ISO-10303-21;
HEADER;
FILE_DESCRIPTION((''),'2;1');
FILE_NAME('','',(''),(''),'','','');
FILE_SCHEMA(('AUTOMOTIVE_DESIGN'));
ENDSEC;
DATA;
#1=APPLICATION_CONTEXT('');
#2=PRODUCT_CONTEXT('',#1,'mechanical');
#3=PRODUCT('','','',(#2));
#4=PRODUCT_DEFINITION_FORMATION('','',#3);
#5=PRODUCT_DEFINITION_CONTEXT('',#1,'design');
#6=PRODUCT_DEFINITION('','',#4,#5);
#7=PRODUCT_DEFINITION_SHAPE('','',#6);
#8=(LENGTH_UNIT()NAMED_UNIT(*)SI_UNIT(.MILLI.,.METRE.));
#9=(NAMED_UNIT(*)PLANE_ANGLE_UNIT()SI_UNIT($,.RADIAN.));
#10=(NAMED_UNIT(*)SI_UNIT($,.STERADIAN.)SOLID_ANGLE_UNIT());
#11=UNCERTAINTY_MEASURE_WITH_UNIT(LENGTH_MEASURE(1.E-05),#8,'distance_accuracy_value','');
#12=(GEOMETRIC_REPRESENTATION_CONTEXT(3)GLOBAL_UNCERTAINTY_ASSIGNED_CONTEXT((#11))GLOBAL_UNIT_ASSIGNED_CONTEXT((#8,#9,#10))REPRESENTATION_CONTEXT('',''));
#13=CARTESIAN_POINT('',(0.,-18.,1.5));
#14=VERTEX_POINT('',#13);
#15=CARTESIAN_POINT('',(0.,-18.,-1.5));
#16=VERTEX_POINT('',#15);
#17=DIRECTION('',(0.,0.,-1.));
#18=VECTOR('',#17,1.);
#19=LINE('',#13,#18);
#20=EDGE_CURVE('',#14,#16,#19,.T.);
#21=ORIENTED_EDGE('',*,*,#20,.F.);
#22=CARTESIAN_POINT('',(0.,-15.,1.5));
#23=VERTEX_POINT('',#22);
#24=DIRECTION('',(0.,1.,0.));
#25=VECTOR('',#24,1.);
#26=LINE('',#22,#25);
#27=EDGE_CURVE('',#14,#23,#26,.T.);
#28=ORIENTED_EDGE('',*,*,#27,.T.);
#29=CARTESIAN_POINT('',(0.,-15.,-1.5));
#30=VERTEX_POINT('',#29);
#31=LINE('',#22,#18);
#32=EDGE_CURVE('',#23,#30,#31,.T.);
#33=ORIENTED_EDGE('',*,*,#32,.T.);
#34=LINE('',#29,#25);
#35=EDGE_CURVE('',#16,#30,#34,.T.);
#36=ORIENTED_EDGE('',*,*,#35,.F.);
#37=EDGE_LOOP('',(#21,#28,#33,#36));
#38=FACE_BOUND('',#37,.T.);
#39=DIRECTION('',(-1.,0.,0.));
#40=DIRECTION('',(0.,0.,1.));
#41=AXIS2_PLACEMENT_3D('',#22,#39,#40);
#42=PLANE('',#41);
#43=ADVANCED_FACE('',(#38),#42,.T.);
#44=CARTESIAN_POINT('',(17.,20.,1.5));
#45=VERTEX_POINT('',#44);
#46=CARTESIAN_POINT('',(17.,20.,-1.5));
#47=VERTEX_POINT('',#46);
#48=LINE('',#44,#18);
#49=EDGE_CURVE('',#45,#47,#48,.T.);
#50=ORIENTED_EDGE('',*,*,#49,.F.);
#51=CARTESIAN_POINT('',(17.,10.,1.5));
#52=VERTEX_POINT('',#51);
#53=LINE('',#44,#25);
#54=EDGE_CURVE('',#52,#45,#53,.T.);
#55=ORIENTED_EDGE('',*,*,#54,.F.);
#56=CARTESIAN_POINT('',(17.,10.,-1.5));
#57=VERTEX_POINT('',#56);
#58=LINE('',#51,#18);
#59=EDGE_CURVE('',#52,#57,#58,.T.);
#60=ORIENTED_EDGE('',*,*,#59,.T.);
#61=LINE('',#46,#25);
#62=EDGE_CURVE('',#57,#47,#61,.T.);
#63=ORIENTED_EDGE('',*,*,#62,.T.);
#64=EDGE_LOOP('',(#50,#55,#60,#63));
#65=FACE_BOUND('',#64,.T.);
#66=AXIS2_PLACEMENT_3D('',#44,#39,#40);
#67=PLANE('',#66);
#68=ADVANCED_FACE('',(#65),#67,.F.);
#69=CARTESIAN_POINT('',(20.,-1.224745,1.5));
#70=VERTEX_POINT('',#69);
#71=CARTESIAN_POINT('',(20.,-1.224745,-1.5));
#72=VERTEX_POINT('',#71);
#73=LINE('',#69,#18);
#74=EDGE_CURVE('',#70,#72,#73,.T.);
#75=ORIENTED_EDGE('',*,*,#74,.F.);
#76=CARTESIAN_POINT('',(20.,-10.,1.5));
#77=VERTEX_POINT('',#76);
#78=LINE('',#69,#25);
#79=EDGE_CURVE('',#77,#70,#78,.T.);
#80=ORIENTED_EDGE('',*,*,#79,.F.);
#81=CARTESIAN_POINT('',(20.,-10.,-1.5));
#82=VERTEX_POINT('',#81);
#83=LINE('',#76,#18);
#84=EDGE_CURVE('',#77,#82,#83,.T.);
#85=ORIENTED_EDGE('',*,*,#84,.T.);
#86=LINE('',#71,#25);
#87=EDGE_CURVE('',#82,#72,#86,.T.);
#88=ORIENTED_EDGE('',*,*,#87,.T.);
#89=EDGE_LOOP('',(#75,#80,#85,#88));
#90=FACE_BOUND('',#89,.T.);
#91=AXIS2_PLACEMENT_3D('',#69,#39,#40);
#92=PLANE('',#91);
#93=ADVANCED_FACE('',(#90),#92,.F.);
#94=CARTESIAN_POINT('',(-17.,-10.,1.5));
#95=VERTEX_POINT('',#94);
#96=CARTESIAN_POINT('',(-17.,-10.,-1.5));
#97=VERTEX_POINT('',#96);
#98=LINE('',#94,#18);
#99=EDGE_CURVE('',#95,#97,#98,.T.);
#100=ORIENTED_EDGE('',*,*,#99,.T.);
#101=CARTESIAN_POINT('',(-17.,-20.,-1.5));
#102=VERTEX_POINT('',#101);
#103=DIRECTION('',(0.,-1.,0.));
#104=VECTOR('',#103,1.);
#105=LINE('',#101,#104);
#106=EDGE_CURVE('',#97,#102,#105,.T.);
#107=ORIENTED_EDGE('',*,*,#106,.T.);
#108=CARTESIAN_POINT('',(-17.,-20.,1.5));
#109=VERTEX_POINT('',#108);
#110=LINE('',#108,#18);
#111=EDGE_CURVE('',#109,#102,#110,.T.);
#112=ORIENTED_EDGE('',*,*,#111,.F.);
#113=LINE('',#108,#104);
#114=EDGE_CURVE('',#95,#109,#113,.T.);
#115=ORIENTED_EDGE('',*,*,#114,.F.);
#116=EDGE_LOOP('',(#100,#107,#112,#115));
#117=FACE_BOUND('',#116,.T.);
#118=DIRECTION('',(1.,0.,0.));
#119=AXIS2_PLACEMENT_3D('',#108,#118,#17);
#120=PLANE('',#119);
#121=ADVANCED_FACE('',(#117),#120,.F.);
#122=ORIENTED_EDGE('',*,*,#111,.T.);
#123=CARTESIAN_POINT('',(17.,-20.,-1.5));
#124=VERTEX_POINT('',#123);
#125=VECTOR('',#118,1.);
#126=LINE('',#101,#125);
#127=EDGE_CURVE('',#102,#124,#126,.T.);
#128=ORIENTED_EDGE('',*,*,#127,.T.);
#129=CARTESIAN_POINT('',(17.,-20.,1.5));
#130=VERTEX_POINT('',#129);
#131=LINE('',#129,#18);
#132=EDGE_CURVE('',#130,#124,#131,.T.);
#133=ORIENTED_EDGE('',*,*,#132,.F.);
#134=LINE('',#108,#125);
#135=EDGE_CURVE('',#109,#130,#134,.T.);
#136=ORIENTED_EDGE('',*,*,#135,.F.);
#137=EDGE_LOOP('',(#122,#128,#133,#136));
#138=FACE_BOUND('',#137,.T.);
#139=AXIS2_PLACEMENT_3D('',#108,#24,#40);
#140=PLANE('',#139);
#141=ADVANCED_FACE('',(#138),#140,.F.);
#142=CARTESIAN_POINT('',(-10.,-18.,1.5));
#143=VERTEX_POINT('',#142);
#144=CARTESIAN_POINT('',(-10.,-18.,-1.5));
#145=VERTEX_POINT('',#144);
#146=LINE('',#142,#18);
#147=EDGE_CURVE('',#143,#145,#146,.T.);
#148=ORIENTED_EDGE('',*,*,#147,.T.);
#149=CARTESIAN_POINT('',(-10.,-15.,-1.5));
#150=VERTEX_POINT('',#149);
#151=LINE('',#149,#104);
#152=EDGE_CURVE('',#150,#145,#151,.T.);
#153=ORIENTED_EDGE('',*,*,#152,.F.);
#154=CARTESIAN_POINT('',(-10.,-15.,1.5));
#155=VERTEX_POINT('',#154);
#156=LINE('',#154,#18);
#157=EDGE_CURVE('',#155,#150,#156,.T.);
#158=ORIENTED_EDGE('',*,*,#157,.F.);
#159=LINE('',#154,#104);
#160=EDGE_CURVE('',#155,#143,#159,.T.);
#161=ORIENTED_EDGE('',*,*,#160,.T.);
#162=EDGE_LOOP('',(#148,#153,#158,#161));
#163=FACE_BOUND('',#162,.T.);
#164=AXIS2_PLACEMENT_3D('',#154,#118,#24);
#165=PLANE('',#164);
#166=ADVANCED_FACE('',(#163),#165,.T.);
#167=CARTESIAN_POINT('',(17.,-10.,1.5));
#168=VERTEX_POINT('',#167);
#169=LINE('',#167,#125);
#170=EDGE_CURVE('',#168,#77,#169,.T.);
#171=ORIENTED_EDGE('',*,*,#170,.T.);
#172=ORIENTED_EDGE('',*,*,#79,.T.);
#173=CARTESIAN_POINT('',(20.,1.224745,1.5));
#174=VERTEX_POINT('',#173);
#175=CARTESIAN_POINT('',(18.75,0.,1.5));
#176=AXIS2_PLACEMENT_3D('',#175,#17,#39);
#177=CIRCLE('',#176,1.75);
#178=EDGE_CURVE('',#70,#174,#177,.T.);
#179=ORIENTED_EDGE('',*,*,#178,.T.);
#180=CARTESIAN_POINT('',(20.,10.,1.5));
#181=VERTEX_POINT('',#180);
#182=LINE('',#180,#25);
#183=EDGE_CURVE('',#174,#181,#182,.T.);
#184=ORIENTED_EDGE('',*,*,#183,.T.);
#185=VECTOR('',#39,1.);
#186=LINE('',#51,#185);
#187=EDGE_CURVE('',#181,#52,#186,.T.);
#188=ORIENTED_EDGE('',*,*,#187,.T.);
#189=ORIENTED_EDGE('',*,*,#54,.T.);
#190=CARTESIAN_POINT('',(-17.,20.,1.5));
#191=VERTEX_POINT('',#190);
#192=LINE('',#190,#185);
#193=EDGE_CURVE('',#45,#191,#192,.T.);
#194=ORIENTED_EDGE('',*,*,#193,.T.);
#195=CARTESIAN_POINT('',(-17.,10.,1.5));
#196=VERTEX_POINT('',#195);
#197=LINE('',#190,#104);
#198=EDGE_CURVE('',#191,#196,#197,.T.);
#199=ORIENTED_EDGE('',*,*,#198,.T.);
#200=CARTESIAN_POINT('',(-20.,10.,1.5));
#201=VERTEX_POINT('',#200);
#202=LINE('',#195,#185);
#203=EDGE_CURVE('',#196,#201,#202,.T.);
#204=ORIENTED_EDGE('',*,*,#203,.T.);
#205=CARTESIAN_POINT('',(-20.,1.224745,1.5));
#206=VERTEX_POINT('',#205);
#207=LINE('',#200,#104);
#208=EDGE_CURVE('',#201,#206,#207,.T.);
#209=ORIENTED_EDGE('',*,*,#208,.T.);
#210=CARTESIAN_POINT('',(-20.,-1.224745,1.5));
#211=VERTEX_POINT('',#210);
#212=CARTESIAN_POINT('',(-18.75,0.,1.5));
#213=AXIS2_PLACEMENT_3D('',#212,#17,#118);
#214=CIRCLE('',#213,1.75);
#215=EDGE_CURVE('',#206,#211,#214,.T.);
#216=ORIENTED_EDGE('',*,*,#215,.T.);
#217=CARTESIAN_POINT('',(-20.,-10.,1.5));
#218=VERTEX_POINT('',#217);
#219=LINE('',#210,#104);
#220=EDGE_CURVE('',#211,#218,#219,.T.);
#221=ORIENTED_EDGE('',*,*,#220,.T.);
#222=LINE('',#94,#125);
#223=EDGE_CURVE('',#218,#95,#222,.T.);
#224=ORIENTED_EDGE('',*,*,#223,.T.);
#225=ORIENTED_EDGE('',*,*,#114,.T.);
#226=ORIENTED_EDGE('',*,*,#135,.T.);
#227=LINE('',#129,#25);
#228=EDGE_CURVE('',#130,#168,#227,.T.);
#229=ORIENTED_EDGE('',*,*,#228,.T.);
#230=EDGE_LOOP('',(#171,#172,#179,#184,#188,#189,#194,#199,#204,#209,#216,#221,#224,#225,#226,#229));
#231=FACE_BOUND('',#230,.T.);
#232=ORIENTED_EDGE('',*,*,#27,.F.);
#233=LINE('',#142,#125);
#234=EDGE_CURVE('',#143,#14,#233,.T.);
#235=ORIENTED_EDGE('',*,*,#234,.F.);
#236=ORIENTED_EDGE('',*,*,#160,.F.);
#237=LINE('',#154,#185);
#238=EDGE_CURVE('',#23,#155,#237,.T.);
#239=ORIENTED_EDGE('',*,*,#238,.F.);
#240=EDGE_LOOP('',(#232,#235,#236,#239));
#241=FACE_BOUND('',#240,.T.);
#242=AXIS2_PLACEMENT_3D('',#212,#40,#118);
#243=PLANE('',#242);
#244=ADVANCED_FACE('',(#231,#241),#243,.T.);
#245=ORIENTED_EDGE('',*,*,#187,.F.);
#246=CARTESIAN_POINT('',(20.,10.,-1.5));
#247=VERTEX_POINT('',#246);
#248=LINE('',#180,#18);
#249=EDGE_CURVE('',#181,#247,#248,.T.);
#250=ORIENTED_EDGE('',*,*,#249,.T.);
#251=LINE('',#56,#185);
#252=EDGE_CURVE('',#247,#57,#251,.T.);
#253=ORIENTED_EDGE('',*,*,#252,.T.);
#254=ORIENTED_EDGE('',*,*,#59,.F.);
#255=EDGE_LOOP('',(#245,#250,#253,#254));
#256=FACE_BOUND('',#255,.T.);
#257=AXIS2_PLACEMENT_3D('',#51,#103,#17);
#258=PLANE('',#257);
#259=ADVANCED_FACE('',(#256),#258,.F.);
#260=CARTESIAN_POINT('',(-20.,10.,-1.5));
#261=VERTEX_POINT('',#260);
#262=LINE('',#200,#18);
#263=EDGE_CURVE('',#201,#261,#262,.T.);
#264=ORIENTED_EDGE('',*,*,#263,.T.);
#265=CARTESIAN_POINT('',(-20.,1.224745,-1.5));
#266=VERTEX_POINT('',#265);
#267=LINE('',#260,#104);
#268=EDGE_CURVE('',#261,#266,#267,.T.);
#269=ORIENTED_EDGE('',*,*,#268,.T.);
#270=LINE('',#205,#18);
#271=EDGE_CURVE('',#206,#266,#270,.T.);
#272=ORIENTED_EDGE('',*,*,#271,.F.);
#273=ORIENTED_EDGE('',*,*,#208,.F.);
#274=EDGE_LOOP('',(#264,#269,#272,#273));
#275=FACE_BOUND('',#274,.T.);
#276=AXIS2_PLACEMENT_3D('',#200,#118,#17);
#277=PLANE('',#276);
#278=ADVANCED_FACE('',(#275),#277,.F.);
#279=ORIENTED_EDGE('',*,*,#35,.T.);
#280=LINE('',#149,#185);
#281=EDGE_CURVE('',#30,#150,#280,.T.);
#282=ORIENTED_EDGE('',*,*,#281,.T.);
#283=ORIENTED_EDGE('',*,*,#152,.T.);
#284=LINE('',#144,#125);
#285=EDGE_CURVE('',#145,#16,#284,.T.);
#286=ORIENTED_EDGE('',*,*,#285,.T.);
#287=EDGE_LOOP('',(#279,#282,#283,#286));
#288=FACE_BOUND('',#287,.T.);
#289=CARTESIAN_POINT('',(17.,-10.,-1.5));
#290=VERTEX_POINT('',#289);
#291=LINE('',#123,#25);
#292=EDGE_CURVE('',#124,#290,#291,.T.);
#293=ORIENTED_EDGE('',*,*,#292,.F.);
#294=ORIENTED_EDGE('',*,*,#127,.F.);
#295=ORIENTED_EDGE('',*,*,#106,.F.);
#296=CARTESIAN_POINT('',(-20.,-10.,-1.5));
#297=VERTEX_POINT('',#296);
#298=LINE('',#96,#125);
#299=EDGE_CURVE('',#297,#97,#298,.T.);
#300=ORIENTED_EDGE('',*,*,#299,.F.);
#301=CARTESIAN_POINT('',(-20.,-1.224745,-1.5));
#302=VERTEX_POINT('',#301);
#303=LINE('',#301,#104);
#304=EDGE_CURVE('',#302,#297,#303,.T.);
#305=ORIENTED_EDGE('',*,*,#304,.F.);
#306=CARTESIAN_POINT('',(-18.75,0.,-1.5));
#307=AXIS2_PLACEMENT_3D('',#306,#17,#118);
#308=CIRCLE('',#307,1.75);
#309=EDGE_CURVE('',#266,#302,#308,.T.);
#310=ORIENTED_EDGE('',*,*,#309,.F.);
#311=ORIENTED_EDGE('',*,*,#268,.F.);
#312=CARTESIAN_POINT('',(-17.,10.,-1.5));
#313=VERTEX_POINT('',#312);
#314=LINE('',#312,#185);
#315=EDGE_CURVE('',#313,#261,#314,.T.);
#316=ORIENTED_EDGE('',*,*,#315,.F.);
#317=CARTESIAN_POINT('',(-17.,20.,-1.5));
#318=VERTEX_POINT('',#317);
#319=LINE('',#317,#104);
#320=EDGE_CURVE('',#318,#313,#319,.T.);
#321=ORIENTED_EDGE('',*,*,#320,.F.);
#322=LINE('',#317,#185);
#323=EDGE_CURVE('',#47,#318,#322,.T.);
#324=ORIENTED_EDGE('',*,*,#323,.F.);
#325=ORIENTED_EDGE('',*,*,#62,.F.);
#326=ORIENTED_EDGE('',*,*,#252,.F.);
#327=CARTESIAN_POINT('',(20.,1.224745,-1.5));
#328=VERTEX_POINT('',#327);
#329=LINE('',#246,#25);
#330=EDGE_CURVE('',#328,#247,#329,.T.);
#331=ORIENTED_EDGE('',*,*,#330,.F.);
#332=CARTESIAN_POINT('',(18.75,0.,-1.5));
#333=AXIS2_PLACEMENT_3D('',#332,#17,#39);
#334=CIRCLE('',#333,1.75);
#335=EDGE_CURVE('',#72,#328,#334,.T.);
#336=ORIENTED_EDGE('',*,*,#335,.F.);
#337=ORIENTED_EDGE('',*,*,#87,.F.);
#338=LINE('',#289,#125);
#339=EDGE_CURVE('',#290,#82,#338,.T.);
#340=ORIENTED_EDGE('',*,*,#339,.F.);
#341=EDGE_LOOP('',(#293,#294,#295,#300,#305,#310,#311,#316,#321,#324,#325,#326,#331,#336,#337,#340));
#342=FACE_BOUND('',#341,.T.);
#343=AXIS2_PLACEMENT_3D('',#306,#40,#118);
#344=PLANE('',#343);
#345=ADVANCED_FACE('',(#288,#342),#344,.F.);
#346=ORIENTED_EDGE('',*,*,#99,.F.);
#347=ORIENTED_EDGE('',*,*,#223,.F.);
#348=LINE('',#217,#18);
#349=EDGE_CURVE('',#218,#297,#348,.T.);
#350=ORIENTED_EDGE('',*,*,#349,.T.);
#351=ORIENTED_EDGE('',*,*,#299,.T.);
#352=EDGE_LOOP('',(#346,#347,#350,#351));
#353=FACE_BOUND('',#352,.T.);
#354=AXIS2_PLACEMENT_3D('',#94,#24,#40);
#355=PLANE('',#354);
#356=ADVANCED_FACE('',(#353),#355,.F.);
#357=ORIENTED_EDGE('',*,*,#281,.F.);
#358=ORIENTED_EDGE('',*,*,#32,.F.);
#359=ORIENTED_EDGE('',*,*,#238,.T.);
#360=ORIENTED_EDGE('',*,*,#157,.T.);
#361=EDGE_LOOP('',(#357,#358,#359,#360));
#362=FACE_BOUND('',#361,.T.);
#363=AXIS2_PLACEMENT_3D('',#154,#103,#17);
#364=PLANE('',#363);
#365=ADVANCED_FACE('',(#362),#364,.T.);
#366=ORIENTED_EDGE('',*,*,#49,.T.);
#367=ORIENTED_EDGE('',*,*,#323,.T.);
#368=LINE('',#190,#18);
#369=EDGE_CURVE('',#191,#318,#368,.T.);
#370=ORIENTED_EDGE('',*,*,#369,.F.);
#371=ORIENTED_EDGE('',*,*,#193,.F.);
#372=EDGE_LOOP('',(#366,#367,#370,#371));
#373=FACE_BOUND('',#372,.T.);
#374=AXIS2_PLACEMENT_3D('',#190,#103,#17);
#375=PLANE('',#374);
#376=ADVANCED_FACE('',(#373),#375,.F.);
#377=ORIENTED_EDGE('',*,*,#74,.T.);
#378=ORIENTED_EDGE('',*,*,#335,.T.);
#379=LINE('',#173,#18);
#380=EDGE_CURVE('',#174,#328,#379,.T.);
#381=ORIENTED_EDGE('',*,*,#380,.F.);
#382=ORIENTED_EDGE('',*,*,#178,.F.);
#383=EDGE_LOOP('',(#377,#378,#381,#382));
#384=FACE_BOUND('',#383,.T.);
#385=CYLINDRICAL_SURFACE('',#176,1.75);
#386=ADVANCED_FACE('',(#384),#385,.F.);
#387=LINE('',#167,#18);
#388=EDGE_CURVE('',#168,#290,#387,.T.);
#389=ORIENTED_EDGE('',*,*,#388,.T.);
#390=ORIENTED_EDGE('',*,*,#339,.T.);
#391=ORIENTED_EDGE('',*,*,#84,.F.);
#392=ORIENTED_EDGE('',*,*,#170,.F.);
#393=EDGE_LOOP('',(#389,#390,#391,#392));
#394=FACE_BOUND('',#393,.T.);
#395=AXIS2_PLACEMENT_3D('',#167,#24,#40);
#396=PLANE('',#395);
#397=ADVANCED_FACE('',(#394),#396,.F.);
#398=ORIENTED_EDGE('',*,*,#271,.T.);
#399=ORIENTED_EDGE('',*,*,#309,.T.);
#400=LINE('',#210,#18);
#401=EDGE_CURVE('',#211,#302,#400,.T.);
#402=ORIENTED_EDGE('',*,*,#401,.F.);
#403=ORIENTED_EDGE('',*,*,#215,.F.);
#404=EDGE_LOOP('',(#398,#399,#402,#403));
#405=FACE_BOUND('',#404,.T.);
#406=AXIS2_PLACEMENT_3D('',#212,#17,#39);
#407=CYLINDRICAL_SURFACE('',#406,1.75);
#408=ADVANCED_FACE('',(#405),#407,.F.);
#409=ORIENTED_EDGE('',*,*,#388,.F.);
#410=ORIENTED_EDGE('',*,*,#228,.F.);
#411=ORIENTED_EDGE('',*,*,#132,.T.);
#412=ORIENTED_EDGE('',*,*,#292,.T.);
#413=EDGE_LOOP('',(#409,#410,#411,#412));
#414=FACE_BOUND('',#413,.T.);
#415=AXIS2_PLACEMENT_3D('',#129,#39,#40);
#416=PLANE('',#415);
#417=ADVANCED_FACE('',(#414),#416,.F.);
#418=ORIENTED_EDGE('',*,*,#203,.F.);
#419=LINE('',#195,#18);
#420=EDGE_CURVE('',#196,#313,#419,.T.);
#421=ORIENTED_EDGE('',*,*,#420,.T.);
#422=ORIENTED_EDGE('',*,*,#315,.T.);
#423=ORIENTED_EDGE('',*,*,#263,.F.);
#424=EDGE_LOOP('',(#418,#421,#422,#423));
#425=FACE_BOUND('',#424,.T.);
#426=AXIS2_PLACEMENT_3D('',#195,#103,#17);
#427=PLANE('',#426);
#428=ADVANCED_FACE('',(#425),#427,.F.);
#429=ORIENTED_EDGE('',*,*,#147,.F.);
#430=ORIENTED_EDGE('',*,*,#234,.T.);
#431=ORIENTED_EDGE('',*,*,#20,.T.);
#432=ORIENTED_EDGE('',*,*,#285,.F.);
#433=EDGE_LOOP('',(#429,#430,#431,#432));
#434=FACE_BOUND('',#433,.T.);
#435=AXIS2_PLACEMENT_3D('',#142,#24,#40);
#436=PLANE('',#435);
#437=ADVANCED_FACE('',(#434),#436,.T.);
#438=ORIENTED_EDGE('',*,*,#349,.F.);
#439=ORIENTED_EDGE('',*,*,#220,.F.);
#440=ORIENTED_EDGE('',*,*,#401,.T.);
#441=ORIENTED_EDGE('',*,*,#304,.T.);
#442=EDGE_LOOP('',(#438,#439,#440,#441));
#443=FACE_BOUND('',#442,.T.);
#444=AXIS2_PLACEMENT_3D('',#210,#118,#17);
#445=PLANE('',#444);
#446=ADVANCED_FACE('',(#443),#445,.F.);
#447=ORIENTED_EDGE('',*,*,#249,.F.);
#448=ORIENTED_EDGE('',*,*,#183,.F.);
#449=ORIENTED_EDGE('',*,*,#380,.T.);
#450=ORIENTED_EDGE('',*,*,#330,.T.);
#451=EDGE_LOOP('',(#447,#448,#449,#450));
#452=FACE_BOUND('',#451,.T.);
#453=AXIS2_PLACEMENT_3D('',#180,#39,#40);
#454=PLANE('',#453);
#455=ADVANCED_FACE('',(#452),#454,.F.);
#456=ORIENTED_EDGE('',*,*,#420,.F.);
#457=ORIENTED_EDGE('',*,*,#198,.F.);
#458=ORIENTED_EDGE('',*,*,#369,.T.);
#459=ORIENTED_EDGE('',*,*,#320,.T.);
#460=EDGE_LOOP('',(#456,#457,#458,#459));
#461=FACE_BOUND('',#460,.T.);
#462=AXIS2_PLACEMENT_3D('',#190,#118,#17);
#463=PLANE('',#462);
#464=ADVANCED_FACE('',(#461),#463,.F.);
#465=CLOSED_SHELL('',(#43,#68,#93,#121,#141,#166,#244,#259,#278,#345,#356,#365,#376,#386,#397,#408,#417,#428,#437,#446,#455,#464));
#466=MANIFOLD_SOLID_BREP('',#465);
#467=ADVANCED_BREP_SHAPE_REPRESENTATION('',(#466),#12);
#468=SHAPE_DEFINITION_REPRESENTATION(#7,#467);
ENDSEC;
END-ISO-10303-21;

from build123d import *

# Parameters (mm, degrees)
SKETCH_1_W      = 10
SKETCH_1_H      = 3
EXTRUDE_1_DEPTH = 1.5


with BuildPart() as part:
    # 草图1 → 凸台-拉伸1 (new body, symmetric)
    with BuildSketch(Plane.XY):
        with BuildLine():
            Line((-17, 20), (17, 20))
            Line((17, 20), (17, 10))
            Line((17, 10), (20, 10))
            Line((20, 10), (20, 1.224744871))
            ThreePointArc((20, 1.224744871), (17, 0), (20, -1.224744871))
            Line((20, -1.224744871), (20, -10))
            Line((20, -10), (17, -10))
            Line((17, -10), (17, -20))
            Line((17, -20), (-17, -20))
            Line((-17, -20), (-17, -10))
            Line((-17, -10), (-20, -10))
            Line((-20, -10), (-20, -1.224744871))
            ThreePointArc((-20, -1.224744871), (-17, 0), (-20, 1.224744871))
            Line((-20, 1.224744871), (-20, 10))
            Line((-20, 10), (-17, 10))
            Line((-17, 10), (-17, 20))
        make_face()
        with Locations((-5, -16.5)):
            Rectangle(SKETCH_1_W, SKETCH_1_H, mode=Mode.SUBTRACT)
    extrude(amount=EXTRUDE_1_DEPTH, both=True)


solid = part.part
